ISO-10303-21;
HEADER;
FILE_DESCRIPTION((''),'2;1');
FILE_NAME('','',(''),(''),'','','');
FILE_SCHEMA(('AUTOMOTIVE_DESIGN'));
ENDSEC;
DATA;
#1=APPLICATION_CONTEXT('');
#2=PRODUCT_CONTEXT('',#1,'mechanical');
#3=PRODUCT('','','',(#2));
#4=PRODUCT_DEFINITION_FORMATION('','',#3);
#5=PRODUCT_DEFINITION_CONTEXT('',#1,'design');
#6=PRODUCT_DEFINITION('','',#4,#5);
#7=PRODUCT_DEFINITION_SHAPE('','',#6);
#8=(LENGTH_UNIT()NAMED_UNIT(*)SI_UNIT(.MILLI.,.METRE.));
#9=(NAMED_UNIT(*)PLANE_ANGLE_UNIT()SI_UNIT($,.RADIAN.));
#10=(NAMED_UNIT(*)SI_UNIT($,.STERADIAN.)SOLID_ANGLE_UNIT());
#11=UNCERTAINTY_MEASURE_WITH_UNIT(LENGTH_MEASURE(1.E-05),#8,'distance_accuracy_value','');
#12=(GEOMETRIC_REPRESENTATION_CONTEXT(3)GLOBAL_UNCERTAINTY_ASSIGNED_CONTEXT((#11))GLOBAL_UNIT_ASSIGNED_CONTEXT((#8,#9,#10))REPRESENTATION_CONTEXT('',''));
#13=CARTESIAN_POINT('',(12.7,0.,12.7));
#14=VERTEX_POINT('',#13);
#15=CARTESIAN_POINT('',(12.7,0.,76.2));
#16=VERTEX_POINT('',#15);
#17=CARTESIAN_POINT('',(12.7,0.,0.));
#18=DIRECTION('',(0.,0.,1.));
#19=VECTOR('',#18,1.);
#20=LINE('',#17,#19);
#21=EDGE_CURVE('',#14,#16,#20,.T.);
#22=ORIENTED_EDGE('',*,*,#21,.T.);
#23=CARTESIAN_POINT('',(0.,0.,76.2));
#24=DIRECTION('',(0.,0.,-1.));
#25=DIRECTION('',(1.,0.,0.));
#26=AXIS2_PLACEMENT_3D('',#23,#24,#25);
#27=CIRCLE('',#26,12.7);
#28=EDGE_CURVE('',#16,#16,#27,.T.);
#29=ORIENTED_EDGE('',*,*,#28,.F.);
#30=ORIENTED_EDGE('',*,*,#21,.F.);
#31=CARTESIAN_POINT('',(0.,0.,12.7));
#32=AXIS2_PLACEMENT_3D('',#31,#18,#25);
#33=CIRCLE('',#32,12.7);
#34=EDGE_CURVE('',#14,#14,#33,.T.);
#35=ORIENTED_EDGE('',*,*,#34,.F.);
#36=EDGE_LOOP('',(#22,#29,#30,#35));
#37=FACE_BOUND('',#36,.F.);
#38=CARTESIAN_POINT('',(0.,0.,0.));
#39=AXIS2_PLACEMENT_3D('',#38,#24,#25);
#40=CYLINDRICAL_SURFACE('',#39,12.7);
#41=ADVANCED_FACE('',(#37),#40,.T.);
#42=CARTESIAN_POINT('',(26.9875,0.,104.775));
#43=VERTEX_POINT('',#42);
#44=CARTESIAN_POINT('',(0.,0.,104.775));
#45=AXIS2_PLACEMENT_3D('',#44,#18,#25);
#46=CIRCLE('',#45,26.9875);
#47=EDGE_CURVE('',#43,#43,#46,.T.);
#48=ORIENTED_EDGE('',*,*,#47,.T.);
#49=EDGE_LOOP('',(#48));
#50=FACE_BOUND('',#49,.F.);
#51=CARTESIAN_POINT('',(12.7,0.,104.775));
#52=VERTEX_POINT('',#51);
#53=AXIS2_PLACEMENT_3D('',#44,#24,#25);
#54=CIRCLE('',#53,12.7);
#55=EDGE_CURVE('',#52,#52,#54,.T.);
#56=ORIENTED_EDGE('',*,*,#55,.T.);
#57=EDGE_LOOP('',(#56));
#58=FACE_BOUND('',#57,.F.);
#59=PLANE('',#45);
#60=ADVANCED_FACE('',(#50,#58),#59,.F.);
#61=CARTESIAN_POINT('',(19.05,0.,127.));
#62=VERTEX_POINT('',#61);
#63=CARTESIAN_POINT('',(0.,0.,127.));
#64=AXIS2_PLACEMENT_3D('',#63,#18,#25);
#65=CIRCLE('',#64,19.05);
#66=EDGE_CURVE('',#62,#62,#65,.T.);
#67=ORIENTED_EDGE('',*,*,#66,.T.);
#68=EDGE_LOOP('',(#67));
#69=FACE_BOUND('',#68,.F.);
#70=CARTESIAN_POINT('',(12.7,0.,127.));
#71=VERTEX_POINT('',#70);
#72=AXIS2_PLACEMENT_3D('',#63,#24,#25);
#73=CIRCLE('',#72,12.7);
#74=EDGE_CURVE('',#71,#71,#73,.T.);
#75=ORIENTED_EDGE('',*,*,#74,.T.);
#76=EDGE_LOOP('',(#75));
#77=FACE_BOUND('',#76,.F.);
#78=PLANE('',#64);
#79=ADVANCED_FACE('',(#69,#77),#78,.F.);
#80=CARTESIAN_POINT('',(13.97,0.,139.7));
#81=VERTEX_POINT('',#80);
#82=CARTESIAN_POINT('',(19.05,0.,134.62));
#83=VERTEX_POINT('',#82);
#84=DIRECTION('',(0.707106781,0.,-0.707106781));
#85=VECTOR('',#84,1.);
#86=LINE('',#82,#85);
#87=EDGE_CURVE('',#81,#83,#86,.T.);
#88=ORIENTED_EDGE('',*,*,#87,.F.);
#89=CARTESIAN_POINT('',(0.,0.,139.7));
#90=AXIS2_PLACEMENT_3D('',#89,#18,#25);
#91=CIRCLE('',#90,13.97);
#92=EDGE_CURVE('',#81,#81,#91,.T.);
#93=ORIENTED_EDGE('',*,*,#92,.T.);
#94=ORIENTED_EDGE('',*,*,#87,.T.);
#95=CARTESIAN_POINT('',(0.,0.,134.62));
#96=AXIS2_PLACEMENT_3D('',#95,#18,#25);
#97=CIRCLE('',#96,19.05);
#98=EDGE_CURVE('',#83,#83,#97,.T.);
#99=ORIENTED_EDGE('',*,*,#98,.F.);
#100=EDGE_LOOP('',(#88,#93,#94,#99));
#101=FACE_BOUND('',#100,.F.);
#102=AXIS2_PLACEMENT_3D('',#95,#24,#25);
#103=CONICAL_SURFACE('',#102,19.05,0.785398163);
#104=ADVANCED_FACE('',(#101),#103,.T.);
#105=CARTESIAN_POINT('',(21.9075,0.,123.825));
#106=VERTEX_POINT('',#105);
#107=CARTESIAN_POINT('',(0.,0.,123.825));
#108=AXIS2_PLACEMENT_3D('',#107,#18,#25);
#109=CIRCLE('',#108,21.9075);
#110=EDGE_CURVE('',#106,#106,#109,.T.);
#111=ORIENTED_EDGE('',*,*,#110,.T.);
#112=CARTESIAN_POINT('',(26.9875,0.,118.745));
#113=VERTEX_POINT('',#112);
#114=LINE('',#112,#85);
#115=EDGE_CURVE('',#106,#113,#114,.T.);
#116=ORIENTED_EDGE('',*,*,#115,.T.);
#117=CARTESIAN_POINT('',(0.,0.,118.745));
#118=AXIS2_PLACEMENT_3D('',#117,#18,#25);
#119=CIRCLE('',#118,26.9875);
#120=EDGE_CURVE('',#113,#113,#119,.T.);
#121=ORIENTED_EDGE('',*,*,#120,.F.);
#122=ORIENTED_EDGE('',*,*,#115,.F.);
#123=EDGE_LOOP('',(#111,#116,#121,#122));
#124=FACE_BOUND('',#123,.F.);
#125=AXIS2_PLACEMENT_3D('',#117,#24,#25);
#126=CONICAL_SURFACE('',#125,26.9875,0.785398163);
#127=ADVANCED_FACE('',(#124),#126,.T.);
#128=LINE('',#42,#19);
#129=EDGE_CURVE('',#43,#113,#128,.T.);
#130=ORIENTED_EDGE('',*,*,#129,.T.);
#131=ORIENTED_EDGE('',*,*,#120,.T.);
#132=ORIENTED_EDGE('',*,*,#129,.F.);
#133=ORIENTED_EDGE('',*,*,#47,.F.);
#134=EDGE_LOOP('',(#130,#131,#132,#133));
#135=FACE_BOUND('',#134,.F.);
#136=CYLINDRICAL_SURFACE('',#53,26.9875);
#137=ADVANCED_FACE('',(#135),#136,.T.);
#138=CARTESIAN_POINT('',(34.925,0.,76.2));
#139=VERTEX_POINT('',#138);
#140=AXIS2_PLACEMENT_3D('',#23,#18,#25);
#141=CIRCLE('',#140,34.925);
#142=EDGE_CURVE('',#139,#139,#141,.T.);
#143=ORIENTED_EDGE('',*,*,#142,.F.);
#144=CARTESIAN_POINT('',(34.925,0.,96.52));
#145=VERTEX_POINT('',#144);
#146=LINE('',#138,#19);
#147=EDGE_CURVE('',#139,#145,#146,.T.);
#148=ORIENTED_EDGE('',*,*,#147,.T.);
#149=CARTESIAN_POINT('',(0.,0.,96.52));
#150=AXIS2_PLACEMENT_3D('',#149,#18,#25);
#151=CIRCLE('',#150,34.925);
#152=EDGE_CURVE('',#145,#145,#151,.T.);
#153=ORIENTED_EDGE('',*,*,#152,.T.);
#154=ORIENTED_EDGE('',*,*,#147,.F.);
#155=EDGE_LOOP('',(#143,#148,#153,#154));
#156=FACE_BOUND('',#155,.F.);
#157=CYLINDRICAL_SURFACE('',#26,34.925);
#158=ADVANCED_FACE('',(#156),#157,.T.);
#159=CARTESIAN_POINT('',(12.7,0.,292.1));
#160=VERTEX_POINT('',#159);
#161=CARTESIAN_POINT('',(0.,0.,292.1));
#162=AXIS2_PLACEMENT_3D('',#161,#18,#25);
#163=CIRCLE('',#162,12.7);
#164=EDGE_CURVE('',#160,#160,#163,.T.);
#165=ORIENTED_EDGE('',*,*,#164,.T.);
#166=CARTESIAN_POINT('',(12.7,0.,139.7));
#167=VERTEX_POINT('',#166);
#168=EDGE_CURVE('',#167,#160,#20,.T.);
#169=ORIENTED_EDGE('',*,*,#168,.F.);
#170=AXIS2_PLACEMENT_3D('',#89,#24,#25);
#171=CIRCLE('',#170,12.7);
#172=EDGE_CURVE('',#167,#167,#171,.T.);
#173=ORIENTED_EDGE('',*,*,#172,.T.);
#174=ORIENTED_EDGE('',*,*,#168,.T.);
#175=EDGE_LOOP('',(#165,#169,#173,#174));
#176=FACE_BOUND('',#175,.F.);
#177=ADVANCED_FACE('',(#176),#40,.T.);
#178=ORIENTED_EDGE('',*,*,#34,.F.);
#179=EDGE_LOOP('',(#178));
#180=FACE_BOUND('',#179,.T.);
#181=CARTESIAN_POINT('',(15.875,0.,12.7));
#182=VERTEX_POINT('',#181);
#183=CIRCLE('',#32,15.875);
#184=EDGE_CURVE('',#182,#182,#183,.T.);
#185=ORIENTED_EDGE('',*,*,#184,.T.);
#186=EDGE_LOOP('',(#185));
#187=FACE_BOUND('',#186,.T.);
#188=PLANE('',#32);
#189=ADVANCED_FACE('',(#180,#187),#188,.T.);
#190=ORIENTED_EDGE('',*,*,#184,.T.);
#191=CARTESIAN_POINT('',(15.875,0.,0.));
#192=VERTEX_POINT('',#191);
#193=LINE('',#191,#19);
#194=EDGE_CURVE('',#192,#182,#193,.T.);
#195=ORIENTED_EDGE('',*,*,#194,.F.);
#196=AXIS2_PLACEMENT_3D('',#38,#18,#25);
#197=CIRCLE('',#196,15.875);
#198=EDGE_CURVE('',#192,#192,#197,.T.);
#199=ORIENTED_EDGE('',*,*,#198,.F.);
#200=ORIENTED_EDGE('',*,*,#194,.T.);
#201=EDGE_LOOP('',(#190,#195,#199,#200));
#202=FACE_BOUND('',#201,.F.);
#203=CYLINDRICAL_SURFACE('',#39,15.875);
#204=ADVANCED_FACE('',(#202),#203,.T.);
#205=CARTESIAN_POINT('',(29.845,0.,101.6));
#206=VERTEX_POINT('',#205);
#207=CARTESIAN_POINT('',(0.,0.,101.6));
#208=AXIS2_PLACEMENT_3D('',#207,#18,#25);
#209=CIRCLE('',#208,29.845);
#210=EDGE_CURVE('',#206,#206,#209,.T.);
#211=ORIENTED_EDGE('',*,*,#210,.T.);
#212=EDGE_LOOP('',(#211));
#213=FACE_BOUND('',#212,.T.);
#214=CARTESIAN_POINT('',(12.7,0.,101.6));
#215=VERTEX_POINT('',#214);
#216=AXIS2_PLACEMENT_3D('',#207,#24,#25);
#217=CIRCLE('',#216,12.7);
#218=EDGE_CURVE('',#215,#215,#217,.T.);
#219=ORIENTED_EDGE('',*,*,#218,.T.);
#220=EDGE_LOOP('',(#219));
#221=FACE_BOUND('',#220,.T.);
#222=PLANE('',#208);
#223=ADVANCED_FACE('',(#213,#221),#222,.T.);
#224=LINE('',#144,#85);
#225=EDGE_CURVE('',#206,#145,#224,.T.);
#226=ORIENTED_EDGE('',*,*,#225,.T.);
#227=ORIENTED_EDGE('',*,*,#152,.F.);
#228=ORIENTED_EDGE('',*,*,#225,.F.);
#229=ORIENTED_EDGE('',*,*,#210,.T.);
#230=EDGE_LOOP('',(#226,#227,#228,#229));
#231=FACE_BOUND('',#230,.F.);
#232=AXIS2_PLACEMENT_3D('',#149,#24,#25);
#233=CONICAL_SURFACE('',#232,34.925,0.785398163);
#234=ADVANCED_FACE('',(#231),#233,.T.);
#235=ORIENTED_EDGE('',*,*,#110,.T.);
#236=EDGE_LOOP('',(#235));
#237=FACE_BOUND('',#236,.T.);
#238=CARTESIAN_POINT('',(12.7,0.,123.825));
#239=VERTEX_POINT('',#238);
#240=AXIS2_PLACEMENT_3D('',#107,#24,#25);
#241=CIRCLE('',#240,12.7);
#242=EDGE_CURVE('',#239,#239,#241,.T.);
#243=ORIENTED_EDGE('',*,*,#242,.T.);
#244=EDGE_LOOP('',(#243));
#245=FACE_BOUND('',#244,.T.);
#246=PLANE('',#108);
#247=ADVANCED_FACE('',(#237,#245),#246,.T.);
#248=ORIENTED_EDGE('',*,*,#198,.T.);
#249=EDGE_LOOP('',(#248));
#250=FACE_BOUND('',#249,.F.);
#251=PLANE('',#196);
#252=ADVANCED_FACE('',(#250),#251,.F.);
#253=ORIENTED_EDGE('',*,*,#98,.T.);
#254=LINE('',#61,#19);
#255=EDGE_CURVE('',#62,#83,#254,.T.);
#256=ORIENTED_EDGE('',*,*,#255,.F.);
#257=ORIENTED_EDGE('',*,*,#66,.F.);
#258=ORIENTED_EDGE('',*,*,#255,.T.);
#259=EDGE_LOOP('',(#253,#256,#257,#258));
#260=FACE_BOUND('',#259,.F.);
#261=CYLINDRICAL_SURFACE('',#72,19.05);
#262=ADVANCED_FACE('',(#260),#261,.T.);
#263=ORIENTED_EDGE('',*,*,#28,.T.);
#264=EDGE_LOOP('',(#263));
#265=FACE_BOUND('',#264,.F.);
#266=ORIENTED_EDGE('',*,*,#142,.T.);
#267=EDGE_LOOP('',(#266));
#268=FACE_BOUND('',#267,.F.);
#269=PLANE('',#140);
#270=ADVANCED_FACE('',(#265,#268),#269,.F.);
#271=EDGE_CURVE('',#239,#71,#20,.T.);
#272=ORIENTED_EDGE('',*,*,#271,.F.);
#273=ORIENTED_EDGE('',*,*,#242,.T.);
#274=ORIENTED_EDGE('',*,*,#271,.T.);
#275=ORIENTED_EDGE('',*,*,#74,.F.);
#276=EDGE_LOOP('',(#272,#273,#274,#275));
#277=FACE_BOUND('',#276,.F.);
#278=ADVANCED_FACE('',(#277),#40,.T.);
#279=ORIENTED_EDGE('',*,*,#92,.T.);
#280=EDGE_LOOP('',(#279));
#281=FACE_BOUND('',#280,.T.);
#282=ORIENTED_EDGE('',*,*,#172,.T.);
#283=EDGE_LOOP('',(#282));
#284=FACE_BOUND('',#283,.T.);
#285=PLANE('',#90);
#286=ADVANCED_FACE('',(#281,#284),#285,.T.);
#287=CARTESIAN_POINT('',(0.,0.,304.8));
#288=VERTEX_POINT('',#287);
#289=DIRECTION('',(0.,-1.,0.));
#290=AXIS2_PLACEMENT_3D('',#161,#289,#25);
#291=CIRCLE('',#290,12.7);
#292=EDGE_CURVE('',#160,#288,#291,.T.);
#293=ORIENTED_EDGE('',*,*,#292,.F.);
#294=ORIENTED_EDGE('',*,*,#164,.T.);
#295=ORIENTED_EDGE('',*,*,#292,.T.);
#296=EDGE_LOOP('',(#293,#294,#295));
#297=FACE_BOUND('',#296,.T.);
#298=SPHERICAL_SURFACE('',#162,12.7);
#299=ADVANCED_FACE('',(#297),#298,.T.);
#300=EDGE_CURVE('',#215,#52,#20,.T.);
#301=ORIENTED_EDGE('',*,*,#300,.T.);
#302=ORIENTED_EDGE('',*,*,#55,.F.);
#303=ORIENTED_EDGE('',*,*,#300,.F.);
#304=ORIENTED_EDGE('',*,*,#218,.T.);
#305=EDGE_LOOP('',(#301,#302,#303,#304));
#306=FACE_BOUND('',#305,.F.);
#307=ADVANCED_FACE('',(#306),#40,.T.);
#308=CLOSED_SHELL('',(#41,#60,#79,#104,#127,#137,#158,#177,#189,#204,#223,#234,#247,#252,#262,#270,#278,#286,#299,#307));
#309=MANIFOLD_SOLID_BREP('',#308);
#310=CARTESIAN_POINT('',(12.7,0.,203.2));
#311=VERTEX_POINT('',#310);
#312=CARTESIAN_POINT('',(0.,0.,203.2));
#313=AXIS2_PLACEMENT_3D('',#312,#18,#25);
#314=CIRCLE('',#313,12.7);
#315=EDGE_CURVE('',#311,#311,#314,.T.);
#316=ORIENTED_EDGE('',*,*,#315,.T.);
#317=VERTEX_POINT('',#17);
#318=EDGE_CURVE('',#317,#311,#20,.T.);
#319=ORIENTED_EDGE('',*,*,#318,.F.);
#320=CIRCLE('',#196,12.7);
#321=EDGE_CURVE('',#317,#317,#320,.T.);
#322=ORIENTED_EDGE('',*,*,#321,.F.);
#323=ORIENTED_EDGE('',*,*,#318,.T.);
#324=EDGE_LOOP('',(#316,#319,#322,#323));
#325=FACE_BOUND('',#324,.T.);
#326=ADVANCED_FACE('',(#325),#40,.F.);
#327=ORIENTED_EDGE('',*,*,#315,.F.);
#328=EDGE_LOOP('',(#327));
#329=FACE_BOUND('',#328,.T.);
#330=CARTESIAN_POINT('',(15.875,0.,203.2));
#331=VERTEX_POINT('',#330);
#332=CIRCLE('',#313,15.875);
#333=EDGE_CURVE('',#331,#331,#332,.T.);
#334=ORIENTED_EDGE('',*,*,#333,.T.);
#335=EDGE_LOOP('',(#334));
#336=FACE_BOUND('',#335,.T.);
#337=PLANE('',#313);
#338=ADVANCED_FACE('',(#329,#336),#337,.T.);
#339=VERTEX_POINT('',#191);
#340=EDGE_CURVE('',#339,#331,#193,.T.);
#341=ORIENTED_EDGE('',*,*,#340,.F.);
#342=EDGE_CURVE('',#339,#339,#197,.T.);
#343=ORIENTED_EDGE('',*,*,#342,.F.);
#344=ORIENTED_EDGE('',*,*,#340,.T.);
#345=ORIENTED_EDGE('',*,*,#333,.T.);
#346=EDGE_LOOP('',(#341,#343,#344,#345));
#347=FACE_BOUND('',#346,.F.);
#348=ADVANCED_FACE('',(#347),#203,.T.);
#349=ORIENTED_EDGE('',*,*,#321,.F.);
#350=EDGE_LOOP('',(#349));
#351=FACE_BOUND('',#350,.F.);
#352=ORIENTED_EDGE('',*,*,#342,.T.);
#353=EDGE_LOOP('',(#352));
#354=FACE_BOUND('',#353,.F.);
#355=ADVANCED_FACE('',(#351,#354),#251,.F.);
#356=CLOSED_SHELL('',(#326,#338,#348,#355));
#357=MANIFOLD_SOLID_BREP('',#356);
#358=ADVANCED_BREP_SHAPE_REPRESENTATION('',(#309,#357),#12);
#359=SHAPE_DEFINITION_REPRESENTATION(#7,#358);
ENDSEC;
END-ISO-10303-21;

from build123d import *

# Parameters (mm, degrees)
F0_R      = 12.7
F1_DEPTH  = 304.8
F5_R      = 34.925
F8_DEPTH  = 25.4
F6_R      = 26.9875
F9_DEPTH  = 19.05
F7_R      = 19.05
F0_R_2    = 15.875
F10_DEPTH = 12.7
F11_R     = 12.7
F12_SIZE  = 5.08
F13_DEPTH = 203.2


with BuildPart() as f1:
    # F0 (on Top) → F1 (new body)
    with BuildSketch(Plane.XY):
        Circle(F0_R)
    extrude(amount=F1_DEPTH)

    # F5 (on offset) → F8 (join)
    with BuildSketch(Plane.XY.offset(76.2)):
        Circle(F5_R)
    extrude(amount=F8_DEPTH)

    # F6 (on offset) → F9 (join)
    with BuildSketch(Plane.XY.offset(104.775)):
        Circle(F6_R)
    extrude(amount=F9_DEPTH)

    # F7 (on offset) + F0 (on Top) → F10 (join)
    with BuildSketch(Plane.XY.offset(127)):
        Circle(F7_R)
    with BuildSketch(Plane.XY):
        Circle(F0_R_2)
        Circle(F0_R, mode=Mode.SUBTRACT)
    extrude(amount=F10_DEPTH)

    # F11
    f11_edges = [f1.edges().sort_by_distance(p)[0] for p in [
        (-12.7, 0, 304.8),
    ]]
    fillet(f11_edges, radius=F11_R)

    # F12
    f12_edges = [f1.edges().sort_by_distance(p)[0] for p in [
        (-19.05, 0, 139.7),
        (-26.9875, 0, 123.825),
        (-34.925, 0, 101.6),
    ]]
    chamfer(f12_edges, length=F12_SIZE)


with BuildPart() as f13:
    # F0 (on Top) → F13 (new body)
    with BuildSketch(Plane.XY):
        Circle(F0_R_2)
        Circle(F0_R, mode=Mode.SUBTRACT)
    extrude(amount=F13_DEPTH)


solid = Compound([f1.part, f13.part])
